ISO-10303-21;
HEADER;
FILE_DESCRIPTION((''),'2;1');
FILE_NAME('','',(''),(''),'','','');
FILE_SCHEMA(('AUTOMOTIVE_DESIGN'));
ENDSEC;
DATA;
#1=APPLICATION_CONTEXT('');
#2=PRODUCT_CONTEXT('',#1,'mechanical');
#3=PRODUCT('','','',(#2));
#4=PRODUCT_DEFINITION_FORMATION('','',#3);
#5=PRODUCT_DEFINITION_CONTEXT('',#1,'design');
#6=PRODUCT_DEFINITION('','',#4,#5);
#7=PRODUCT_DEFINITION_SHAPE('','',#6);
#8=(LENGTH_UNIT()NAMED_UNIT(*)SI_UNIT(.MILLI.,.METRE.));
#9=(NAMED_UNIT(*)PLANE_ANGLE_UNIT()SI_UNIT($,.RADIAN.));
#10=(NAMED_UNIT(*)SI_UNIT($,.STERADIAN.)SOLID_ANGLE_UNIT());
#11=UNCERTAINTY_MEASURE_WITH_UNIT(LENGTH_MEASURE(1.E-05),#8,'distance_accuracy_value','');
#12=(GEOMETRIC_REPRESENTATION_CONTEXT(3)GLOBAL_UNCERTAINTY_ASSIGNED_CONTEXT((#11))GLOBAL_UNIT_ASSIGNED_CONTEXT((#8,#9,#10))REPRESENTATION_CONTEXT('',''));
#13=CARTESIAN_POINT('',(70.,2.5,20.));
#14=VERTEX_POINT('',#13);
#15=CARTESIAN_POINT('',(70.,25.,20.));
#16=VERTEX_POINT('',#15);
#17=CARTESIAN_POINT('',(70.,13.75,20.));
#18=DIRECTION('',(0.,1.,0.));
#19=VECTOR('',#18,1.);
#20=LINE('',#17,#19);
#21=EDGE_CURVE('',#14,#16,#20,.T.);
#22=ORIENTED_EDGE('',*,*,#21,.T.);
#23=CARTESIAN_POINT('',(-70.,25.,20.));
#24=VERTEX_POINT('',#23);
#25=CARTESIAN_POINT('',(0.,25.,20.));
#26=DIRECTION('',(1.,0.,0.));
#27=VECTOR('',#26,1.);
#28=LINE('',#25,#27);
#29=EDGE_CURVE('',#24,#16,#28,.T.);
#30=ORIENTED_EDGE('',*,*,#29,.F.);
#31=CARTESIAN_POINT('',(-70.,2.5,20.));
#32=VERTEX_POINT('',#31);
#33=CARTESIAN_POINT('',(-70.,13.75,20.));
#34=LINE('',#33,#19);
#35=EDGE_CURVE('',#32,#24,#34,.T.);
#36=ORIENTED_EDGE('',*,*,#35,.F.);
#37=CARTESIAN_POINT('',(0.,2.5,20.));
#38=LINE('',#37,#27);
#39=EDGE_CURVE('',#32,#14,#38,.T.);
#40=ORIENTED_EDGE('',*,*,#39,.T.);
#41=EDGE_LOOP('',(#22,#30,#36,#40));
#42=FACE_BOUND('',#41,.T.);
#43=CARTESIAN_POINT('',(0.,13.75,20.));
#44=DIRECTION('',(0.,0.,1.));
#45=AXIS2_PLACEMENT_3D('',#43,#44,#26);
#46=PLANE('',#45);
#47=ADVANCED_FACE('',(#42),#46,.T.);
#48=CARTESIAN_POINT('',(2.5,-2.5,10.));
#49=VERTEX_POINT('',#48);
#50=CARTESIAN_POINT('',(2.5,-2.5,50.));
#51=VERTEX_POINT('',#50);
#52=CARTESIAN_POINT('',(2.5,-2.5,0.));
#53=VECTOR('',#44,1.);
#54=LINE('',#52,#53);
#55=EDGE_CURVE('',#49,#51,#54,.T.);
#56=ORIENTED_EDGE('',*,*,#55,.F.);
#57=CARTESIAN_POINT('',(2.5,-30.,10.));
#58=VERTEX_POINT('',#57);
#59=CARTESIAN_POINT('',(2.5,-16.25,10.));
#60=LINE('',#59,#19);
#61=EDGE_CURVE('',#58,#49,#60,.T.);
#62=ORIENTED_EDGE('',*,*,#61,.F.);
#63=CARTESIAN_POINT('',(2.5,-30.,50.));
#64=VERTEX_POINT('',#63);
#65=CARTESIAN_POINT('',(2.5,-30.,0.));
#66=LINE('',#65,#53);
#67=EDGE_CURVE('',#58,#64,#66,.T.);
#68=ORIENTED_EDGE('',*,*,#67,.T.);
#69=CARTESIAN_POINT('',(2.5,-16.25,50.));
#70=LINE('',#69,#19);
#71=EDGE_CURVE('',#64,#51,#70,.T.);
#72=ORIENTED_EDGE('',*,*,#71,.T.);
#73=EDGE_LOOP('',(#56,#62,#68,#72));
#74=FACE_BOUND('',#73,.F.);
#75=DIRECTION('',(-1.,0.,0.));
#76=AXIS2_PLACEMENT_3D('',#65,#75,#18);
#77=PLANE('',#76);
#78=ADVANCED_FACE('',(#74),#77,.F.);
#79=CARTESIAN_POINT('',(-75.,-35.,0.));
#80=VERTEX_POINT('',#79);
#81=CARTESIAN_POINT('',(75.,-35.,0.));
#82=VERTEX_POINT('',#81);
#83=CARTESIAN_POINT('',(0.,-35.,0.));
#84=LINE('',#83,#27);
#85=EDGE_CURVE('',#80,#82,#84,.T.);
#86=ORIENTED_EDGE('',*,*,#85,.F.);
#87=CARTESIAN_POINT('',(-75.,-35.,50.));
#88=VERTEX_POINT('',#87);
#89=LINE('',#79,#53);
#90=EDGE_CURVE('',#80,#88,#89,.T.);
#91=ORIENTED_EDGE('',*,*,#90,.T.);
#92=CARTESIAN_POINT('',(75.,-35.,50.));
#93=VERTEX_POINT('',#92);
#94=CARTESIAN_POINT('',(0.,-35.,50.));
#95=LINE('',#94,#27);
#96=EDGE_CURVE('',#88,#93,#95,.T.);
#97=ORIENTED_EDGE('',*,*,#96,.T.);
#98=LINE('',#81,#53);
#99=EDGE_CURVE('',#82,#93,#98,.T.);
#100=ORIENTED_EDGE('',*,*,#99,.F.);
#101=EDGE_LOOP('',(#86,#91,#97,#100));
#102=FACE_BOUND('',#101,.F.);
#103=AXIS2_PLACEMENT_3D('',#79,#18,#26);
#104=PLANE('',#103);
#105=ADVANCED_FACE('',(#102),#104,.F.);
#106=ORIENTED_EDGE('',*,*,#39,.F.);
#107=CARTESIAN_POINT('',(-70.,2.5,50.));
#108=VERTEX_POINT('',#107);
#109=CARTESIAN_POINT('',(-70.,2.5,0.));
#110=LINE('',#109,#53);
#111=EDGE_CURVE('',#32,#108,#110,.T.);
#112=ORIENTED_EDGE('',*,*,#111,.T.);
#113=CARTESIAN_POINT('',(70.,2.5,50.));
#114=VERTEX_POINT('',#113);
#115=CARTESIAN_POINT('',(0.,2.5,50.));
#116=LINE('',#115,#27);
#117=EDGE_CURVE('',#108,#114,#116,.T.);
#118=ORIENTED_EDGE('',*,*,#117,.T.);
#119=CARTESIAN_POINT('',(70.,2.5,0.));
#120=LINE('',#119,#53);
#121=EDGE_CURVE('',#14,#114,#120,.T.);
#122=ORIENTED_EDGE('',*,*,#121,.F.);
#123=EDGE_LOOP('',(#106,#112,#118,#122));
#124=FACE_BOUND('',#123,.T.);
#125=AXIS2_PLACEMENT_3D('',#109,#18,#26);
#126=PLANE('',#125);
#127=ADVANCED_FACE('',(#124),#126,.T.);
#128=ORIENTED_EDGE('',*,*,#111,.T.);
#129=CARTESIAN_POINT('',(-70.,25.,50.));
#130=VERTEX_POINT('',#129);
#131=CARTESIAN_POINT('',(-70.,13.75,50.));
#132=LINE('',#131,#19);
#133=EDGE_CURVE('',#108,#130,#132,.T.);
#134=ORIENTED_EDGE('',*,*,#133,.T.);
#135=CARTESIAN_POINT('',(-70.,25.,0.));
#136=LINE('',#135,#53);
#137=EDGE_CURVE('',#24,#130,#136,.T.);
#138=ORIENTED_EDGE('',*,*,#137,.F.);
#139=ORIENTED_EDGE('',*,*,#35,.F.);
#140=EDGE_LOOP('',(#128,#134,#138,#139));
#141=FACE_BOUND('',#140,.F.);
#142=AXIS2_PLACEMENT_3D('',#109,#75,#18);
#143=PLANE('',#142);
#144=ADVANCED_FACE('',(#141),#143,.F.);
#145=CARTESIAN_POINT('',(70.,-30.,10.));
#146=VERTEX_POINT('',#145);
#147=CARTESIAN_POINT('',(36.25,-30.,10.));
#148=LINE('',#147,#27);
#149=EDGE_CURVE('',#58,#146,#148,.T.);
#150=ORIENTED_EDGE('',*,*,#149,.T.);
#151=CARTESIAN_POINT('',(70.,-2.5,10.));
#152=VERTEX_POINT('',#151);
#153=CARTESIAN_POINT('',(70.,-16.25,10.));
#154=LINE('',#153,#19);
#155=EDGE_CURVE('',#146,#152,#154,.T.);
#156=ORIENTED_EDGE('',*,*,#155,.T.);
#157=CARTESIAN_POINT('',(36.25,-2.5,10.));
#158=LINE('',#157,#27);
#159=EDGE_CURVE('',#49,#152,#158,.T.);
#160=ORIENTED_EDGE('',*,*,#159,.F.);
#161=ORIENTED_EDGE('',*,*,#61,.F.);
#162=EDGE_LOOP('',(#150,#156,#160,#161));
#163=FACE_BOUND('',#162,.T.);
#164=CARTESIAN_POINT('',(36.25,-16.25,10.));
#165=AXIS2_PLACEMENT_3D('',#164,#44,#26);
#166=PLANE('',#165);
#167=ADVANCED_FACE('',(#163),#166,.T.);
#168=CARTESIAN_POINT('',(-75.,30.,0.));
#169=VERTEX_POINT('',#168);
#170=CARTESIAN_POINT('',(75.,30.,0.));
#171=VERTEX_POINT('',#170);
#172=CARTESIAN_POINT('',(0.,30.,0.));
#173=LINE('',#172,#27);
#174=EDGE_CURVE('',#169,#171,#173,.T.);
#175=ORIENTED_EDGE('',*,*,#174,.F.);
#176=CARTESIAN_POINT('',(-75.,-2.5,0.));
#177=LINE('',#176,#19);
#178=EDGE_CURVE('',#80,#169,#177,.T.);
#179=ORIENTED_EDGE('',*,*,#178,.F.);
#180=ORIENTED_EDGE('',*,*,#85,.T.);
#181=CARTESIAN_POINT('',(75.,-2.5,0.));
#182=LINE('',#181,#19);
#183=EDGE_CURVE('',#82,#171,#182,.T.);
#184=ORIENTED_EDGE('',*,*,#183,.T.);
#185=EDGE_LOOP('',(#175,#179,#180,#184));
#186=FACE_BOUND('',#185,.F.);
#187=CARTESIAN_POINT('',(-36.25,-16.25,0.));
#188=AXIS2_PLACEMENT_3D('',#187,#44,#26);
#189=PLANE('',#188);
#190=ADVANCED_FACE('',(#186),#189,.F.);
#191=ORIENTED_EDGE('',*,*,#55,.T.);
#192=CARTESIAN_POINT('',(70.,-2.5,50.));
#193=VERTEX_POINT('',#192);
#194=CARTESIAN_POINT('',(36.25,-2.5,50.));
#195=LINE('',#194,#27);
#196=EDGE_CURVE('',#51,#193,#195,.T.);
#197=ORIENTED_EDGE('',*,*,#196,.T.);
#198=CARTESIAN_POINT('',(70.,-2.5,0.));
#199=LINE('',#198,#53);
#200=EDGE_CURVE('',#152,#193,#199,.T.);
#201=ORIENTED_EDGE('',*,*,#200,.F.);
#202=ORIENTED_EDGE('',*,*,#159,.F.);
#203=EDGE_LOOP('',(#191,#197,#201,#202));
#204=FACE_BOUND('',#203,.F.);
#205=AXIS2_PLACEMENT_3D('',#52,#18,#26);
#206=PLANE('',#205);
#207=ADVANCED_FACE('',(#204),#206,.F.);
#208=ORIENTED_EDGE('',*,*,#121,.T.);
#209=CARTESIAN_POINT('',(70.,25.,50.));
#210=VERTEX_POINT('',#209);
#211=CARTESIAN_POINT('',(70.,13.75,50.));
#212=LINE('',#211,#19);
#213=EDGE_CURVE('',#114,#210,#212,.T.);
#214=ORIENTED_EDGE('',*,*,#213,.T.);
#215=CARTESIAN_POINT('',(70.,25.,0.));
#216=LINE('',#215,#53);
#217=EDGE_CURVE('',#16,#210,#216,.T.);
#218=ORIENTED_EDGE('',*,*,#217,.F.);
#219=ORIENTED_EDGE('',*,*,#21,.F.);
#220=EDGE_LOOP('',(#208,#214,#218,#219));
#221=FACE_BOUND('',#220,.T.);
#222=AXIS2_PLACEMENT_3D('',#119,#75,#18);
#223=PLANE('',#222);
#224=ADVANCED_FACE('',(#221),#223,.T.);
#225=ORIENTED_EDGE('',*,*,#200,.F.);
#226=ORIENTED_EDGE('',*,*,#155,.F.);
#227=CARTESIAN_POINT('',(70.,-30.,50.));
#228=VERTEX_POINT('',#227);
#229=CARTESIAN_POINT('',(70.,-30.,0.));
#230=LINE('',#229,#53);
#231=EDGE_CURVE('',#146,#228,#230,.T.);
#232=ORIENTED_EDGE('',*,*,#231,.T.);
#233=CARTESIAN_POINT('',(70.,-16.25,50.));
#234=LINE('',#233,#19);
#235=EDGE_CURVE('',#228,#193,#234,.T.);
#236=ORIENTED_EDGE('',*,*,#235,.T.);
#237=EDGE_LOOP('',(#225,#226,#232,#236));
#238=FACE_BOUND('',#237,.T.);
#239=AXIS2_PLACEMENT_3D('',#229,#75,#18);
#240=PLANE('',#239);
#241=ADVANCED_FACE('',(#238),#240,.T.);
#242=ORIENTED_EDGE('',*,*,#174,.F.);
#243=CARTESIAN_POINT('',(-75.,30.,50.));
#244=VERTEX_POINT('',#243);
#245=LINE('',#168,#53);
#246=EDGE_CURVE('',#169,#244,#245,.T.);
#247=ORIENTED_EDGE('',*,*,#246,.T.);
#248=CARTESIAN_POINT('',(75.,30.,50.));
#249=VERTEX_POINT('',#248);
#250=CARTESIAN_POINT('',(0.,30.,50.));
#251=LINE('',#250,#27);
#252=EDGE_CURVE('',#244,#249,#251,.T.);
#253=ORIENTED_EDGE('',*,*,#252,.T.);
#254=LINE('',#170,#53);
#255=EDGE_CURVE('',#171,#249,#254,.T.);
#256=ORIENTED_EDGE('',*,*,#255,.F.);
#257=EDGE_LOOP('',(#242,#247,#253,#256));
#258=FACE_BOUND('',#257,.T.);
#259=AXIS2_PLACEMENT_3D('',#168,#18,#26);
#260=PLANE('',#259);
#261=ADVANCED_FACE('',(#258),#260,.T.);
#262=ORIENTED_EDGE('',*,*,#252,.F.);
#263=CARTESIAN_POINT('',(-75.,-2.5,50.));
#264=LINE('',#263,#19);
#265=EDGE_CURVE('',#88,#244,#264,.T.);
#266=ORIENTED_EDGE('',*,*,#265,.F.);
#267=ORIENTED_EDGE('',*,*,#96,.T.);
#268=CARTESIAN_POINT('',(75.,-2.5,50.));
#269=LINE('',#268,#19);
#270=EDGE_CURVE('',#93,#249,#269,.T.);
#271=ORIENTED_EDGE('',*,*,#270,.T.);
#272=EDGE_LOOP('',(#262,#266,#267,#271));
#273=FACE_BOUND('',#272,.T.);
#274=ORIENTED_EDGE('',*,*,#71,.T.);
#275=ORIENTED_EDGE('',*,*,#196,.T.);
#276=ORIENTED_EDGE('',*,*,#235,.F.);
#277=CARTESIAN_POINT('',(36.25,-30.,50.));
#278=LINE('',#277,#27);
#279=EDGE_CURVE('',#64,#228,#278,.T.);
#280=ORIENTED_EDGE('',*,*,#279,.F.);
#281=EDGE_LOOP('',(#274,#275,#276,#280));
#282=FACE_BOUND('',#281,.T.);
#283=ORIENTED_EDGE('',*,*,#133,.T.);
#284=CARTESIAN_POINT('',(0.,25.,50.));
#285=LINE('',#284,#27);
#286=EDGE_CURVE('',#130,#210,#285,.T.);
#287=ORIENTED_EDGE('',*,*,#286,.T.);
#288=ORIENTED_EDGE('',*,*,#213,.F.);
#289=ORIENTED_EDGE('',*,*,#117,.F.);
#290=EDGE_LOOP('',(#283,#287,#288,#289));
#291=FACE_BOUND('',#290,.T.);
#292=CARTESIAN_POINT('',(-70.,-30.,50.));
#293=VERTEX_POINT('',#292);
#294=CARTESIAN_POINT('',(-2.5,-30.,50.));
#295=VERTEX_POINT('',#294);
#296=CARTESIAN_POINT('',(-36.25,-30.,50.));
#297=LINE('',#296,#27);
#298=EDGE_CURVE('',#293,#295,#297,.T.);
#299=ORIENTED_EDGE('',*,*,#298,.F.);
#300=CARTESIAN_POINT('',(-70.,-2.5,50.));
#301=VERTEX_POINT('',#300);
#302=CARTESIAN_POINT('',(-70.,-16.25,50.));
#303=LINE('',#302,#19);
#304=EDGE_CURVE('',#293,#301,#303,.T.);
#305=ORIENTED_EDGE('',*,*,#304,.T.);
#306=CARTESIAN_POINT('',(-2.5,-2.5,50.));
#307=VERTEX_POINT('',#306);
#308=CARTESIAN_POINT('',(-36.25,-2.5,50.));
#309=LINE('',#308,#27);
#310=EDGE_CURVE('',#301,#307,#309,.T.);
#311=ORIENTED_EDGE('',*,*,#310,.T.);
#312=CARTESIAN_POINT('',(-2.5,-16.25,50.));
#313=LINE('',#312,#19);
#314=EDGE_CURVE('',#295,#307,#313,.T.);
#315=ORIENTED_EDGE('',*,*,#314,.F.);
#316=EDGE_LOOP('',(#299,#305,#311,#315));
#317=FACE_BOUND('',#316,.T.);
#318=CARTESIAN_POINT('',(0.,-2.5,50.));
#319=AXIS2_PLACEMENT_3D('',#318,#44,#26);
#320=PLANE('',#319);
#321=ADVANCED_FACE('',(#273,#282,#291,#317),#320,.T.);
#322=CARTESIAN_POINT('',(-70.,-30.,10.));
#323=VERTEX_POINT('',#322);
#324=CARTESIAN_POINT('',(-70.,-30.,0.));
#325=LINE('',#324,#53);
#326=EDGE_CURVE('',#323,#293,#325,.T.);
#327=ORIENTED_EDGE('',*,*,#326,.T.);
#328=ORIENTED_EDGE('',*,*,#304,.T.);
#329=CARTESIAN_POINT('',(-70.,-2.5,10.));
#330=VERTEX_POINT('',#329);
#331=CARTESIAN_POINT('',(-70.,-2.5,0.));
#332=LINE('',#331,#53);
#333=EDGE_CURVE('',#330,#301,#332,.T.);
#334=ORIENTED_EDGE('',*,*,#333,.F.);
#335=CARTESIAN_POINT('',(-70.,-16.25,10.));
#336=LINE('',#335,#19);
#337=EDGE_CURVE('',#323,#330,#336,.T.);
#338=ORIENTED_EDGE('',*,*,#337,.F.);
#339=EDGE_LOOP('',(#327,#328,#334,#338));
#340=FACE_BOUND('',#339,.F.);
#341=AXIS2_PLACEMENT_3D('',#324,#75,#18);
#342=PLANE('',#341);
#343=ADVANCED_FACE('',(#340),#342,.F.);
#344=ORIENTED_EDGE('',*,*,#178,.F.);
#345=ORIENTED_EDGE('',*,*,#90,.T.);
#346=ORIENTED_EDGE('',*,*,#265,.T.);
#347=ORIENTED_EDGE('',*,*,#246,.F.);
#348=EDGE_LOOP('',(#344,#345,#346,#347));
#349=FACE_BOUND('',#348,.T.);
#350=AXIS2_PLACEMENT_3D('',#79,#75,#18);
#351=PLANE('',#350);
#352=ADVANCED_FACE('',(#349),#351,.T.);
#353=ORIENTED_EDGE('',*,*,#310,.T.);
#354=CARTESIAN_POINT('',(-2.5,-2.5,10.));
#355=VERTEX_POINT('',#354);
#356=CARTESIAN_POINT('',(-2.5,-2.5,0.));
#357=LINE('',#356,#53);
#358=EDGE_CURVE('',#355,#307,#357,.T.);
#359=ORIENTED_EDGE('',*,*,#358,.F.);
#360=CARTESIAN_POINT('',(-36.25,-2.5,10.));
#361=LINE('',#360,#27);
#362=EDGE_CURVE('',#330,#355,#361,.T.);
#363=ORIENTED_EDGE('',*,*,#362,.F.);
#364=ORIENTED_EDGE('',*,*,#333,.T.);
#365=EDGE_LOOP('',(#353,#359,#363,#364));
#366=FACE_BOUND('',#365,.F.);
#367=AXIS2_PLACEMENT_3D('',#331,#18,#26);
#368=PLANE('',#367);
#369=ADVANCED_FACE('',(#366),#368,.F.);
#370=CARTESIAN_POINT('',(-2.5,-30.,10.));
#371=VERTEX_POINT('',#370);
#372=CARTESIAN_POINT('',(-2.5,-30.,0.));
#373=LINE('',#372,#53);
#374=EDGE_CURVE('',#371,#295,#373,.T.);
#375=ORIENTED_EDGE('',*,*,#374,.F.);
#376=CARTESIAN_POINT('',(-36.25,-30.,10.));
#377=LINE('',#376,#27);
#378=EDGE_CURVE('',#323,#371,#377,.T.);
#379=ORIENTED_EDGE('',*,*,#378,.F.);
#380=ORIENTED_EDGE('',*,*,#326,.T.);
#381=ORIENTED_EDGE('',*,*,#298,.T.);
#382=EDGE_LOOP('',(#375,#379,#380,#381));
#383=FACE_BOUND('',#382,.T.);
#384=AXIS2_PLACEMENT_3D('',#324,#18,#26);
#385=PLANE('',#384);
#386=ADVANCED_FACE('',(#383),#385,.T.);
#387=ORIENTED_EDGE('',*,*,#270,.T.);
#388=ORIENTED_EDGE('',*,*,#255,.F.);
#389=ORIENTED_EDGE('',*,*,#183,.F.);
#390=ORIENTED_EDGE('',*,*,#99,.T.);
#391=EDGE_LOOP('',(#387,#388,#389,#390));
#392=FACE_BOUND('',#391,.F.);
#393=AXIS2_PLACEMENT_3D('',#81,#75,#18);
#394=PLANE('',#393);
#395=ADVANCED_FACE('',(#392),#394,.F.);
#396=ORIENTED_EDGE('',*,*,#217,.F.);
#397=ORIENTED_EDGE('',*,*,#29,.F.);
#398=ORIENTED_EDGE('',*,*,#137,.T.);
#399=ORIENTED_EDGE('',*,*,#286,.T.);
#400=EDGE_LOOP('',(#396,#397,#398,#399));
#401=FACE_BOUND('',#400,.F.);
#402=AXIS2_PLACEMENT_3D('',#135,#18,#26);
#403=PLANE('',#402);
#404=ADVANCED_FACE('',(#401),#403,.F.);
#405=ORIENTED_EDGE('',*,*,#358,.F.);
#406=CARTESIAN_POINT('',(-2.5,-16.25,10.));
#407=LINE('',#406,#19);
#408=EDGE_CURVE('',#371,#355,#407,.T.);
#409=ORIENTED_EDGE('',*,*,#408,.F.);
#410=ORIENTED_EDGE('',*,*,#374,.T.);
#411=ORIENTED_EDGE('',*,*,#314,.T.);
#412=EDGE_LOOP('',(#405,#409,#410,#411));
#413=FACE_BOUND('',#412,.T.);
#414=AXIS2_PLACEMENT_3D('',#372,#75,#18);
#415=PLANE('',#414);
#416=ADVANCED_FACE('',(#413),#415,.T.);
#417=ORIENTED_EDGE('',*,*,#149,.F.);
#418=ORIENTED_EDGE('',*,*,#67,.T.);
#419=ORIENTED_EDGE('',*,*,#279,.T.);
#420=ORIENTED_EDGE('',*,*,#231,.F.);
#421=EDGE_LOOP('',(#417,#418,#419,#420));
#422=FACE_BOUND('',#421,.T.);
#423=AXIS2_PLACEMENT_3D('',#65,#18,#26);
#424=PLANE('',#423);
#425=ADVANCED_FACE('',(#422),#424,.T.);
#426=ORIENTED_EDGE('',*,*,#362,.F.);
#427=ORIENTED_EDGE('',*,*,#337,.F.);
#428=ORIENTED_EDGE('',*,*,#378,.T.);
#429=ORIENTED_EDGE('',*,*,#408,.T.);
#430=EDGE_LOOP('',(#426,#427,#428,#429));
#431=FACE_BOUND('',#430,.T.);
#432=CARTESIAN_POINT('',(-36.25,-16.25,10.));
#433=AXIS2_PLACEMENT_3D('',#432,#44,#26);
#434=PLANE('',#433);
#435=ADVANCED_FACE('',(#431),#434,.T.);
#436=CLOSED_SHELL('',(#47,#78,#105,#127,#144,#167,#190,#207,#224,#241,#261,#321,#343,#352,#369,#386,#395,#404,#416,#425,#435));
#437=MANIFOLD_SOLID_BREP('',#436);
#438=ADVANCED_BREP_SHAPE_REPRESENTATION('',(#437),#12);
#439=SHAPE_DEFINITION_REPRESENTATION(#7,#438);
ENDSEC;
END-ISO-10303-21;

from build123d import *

# Parameters (mm, degrees)
F0_W     = 150
F0_H     = 65
F0_W_2   = 67.5
F0_H_2   = 27.5
F0_W_3   = 140
F0_H_3   = 22.5
F1_DEPTH = 50
F2_DEPTH = 20
F3_DEPTH = 10


with BuildPart() as f1:
    # F0 (on Top) → F1 (new body)
    with BuildSketch(Plane.XY):
        with Locations((0, -2.5)):
            Rectangle(F0_W, F0_H)
        with Locations((-36.25, -16.25)):
            Rectangle(F0_W_2, F0_H_2, mode=Mode.SUBTRACT)
        with Locations((36.25, -16.25)):
            Rectangle(F0_W_2, F0_H_2, mode=Mode.SUBTRACT)
        with Locations((0, 13.75)):
            Rectangle(F0_W_3, F0_H_3, mode=Mode.SUBTRACT)
    extrude(amount=F1_DEPTH)

    # F0 (on Top) → F2 (join)
    with BuildSketch(Plane.XY):
        with Locations((0, 13.75)):
            Rectangle(F0_W_3, F0_H_3)
    extrude(amount=F2_DEPTH)

    # F0 (on Top) → F3 (join)
    with BuildSketch(Plane.XY):
        with Locations((-36.25, -16.25)):
            Rectangle(F0_W_2, F0_H_2)
        with Locations((36.25, -16.25)):
            Rectangle(F0_W_2, F0_H_2)
    extrude(amount=F3_DEPTH)


solid = f1.part
